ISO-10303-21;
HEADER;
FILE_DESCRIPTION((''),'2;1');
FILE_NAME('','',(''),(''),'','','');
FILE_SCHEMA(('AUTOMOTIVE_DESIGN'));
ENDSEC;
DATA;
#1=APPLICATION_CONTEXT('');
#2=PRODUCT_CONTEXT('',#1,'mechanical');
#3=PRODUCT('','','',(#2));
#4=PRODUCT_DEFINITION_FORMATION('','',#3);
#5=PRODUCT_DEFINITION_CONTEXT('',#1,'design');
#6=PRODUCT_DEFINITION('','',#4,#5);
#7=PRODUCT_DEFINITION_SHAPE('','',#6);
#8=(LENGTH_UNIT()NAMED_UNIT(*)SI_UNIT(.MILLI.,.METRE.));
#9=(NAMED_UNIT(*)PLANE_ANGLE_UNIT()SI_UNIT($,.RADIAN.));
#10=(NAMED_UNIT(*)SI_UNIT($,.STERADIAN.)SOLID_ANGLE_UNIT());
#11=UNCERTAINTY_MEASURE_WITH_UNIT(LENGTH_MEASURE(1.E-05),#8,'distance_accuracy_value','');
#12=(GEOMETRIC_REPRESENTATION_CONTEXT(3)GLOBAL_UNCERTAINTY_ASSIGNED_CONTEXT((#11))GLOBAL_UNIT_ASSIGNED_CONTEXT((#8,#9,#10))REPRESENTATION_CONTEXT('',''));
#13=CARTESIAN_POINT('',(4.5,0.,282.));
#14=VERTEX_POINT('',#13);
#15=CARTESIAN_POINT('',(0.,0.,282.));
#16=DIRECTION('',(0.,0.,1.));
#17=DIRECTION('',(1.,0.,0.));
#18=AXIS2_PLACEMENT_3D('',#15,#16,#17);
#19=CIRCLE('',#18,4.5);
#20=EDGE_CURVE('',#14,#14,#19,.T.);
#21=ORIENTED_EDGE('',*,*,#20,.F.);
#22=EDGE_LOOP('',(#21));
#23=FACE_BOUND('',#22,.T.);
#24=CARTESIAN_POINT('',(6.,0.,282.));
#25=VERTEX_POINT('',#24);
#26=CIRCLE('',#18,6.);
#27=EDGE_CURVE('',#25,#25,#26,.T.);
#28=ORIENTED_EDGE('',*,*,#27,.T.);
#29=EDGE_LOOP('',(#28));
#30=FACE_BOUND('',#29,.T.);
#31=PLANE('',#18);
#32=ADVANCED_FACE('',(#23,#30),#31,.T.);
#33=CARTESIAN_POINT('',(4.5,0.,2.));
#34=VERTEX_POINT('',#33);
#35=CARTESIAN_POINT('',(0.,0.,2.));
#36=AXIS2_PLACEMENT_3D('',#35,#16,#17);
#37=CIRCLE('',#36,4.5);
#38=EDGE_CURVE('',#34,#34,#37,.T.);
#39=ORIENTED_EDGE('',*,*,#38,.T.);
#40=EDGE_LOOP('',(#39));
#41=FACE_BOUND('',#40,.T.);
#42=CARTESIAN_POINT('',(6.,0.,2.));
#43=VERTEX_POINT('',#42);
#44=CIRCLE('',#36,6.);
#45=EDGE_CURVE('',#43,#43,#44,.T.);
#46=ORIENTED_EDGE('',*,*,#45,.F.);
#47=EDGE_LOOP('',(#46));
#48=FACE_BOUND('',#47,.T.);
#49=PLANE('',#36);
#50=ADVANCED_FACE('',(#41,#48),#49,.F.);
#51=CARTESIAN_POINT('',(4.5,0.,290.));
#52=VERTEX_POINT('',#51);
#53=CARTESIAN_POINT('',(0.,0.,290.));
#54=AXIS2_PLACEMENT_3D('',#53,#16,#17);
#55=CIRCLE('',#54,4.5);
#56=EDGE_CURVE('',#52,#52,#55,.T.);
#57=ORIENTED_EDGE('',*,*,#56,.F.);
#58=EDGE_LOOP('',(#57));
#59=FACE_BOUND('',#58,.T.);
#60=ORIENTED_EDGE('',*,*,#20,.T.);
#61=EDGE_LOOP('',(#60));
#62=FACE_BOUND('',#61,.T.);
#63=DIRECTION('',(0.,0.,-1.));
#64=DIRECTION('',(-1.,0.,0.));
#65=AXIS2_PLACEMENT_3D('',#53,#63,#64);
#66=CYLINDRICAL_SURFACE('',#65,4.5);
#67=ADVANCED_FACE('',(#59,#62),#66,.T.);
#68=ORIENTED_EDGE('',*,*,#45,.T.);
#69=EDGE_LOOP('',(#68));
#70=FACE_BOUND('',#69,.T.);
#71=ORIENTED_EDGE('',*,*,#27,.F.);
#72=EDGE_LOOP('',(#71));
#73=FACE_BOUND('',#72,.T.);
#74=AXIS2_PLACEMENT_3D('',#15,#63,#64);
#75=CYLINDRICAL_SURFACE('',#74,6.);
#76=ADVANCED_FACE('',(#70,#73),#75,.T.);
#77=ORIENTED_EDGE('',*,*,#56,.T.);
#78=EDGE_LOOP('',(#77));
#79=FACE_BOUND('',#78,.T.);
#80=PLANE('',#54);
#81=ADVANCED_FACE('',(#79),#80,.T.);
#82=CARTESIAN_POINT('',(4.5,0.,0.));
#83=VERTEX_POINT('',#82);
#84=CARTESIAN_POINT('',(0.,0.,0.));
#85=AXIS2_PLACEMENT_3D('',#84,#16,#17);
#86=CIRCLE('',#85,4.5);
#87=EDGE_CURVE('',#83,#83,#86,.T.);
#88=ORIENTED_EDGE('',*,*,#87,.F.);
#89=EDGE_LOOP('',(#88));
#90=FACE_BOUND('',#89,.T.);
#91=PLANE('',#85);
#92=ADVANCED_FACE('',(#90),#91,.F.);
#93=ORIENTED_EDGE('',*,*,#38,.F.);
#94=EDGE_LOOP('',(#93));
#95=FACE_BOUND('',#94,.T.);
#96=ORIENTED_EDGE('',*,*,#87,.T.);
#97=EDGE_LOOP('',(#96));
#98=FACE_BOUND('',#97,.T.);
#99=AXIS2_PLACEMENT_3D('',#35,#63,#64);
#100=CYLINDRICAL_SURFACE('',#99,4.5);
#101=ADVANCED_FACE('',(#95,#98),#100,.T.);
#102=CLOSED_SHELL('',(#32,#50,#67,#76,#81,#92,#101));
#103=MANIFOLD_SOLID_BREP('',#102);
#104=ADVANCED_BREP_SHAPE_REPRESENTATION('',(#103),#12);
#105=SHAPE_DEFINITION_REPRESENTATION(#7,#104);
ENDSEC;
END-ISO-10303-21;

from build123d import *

# Parameters (mm, degrees)
SKETCH_1_R      = 4.5
EXTRUDE_1_DEPTH = 2
SKETCH_2_R      = 6
EXTRUDE_2_DEPTH = 280
SKETCH_3_R      = 4.5
EXTRUDE_3_DEPTH = 8


with BuildPart() as part:
    # 草图1 → 凸台-拉伸1 (new body)
    with BuildSketch(Plane.XY):
        Circle(SKETCH_1_R)
    extrude(amount=EXTRUDE_1_DEPTH)

    # 草图2 → 凸台-拉伸2 (add)
    with BuildSketch(Plane.XY.offset(2)):
        Circle(SKETCH_2_R)
    extrude(amount=EXTRUDE_2_DEPTH)

    # 草图3 → 凸台-拉伸3 (add)
    with BuildSketch(Plane.XY.offset(282)):
        Circle(SKETCH_3_R)
    extrude(amount=EXTRUDE_3_DEPTH)


solid = part.part
